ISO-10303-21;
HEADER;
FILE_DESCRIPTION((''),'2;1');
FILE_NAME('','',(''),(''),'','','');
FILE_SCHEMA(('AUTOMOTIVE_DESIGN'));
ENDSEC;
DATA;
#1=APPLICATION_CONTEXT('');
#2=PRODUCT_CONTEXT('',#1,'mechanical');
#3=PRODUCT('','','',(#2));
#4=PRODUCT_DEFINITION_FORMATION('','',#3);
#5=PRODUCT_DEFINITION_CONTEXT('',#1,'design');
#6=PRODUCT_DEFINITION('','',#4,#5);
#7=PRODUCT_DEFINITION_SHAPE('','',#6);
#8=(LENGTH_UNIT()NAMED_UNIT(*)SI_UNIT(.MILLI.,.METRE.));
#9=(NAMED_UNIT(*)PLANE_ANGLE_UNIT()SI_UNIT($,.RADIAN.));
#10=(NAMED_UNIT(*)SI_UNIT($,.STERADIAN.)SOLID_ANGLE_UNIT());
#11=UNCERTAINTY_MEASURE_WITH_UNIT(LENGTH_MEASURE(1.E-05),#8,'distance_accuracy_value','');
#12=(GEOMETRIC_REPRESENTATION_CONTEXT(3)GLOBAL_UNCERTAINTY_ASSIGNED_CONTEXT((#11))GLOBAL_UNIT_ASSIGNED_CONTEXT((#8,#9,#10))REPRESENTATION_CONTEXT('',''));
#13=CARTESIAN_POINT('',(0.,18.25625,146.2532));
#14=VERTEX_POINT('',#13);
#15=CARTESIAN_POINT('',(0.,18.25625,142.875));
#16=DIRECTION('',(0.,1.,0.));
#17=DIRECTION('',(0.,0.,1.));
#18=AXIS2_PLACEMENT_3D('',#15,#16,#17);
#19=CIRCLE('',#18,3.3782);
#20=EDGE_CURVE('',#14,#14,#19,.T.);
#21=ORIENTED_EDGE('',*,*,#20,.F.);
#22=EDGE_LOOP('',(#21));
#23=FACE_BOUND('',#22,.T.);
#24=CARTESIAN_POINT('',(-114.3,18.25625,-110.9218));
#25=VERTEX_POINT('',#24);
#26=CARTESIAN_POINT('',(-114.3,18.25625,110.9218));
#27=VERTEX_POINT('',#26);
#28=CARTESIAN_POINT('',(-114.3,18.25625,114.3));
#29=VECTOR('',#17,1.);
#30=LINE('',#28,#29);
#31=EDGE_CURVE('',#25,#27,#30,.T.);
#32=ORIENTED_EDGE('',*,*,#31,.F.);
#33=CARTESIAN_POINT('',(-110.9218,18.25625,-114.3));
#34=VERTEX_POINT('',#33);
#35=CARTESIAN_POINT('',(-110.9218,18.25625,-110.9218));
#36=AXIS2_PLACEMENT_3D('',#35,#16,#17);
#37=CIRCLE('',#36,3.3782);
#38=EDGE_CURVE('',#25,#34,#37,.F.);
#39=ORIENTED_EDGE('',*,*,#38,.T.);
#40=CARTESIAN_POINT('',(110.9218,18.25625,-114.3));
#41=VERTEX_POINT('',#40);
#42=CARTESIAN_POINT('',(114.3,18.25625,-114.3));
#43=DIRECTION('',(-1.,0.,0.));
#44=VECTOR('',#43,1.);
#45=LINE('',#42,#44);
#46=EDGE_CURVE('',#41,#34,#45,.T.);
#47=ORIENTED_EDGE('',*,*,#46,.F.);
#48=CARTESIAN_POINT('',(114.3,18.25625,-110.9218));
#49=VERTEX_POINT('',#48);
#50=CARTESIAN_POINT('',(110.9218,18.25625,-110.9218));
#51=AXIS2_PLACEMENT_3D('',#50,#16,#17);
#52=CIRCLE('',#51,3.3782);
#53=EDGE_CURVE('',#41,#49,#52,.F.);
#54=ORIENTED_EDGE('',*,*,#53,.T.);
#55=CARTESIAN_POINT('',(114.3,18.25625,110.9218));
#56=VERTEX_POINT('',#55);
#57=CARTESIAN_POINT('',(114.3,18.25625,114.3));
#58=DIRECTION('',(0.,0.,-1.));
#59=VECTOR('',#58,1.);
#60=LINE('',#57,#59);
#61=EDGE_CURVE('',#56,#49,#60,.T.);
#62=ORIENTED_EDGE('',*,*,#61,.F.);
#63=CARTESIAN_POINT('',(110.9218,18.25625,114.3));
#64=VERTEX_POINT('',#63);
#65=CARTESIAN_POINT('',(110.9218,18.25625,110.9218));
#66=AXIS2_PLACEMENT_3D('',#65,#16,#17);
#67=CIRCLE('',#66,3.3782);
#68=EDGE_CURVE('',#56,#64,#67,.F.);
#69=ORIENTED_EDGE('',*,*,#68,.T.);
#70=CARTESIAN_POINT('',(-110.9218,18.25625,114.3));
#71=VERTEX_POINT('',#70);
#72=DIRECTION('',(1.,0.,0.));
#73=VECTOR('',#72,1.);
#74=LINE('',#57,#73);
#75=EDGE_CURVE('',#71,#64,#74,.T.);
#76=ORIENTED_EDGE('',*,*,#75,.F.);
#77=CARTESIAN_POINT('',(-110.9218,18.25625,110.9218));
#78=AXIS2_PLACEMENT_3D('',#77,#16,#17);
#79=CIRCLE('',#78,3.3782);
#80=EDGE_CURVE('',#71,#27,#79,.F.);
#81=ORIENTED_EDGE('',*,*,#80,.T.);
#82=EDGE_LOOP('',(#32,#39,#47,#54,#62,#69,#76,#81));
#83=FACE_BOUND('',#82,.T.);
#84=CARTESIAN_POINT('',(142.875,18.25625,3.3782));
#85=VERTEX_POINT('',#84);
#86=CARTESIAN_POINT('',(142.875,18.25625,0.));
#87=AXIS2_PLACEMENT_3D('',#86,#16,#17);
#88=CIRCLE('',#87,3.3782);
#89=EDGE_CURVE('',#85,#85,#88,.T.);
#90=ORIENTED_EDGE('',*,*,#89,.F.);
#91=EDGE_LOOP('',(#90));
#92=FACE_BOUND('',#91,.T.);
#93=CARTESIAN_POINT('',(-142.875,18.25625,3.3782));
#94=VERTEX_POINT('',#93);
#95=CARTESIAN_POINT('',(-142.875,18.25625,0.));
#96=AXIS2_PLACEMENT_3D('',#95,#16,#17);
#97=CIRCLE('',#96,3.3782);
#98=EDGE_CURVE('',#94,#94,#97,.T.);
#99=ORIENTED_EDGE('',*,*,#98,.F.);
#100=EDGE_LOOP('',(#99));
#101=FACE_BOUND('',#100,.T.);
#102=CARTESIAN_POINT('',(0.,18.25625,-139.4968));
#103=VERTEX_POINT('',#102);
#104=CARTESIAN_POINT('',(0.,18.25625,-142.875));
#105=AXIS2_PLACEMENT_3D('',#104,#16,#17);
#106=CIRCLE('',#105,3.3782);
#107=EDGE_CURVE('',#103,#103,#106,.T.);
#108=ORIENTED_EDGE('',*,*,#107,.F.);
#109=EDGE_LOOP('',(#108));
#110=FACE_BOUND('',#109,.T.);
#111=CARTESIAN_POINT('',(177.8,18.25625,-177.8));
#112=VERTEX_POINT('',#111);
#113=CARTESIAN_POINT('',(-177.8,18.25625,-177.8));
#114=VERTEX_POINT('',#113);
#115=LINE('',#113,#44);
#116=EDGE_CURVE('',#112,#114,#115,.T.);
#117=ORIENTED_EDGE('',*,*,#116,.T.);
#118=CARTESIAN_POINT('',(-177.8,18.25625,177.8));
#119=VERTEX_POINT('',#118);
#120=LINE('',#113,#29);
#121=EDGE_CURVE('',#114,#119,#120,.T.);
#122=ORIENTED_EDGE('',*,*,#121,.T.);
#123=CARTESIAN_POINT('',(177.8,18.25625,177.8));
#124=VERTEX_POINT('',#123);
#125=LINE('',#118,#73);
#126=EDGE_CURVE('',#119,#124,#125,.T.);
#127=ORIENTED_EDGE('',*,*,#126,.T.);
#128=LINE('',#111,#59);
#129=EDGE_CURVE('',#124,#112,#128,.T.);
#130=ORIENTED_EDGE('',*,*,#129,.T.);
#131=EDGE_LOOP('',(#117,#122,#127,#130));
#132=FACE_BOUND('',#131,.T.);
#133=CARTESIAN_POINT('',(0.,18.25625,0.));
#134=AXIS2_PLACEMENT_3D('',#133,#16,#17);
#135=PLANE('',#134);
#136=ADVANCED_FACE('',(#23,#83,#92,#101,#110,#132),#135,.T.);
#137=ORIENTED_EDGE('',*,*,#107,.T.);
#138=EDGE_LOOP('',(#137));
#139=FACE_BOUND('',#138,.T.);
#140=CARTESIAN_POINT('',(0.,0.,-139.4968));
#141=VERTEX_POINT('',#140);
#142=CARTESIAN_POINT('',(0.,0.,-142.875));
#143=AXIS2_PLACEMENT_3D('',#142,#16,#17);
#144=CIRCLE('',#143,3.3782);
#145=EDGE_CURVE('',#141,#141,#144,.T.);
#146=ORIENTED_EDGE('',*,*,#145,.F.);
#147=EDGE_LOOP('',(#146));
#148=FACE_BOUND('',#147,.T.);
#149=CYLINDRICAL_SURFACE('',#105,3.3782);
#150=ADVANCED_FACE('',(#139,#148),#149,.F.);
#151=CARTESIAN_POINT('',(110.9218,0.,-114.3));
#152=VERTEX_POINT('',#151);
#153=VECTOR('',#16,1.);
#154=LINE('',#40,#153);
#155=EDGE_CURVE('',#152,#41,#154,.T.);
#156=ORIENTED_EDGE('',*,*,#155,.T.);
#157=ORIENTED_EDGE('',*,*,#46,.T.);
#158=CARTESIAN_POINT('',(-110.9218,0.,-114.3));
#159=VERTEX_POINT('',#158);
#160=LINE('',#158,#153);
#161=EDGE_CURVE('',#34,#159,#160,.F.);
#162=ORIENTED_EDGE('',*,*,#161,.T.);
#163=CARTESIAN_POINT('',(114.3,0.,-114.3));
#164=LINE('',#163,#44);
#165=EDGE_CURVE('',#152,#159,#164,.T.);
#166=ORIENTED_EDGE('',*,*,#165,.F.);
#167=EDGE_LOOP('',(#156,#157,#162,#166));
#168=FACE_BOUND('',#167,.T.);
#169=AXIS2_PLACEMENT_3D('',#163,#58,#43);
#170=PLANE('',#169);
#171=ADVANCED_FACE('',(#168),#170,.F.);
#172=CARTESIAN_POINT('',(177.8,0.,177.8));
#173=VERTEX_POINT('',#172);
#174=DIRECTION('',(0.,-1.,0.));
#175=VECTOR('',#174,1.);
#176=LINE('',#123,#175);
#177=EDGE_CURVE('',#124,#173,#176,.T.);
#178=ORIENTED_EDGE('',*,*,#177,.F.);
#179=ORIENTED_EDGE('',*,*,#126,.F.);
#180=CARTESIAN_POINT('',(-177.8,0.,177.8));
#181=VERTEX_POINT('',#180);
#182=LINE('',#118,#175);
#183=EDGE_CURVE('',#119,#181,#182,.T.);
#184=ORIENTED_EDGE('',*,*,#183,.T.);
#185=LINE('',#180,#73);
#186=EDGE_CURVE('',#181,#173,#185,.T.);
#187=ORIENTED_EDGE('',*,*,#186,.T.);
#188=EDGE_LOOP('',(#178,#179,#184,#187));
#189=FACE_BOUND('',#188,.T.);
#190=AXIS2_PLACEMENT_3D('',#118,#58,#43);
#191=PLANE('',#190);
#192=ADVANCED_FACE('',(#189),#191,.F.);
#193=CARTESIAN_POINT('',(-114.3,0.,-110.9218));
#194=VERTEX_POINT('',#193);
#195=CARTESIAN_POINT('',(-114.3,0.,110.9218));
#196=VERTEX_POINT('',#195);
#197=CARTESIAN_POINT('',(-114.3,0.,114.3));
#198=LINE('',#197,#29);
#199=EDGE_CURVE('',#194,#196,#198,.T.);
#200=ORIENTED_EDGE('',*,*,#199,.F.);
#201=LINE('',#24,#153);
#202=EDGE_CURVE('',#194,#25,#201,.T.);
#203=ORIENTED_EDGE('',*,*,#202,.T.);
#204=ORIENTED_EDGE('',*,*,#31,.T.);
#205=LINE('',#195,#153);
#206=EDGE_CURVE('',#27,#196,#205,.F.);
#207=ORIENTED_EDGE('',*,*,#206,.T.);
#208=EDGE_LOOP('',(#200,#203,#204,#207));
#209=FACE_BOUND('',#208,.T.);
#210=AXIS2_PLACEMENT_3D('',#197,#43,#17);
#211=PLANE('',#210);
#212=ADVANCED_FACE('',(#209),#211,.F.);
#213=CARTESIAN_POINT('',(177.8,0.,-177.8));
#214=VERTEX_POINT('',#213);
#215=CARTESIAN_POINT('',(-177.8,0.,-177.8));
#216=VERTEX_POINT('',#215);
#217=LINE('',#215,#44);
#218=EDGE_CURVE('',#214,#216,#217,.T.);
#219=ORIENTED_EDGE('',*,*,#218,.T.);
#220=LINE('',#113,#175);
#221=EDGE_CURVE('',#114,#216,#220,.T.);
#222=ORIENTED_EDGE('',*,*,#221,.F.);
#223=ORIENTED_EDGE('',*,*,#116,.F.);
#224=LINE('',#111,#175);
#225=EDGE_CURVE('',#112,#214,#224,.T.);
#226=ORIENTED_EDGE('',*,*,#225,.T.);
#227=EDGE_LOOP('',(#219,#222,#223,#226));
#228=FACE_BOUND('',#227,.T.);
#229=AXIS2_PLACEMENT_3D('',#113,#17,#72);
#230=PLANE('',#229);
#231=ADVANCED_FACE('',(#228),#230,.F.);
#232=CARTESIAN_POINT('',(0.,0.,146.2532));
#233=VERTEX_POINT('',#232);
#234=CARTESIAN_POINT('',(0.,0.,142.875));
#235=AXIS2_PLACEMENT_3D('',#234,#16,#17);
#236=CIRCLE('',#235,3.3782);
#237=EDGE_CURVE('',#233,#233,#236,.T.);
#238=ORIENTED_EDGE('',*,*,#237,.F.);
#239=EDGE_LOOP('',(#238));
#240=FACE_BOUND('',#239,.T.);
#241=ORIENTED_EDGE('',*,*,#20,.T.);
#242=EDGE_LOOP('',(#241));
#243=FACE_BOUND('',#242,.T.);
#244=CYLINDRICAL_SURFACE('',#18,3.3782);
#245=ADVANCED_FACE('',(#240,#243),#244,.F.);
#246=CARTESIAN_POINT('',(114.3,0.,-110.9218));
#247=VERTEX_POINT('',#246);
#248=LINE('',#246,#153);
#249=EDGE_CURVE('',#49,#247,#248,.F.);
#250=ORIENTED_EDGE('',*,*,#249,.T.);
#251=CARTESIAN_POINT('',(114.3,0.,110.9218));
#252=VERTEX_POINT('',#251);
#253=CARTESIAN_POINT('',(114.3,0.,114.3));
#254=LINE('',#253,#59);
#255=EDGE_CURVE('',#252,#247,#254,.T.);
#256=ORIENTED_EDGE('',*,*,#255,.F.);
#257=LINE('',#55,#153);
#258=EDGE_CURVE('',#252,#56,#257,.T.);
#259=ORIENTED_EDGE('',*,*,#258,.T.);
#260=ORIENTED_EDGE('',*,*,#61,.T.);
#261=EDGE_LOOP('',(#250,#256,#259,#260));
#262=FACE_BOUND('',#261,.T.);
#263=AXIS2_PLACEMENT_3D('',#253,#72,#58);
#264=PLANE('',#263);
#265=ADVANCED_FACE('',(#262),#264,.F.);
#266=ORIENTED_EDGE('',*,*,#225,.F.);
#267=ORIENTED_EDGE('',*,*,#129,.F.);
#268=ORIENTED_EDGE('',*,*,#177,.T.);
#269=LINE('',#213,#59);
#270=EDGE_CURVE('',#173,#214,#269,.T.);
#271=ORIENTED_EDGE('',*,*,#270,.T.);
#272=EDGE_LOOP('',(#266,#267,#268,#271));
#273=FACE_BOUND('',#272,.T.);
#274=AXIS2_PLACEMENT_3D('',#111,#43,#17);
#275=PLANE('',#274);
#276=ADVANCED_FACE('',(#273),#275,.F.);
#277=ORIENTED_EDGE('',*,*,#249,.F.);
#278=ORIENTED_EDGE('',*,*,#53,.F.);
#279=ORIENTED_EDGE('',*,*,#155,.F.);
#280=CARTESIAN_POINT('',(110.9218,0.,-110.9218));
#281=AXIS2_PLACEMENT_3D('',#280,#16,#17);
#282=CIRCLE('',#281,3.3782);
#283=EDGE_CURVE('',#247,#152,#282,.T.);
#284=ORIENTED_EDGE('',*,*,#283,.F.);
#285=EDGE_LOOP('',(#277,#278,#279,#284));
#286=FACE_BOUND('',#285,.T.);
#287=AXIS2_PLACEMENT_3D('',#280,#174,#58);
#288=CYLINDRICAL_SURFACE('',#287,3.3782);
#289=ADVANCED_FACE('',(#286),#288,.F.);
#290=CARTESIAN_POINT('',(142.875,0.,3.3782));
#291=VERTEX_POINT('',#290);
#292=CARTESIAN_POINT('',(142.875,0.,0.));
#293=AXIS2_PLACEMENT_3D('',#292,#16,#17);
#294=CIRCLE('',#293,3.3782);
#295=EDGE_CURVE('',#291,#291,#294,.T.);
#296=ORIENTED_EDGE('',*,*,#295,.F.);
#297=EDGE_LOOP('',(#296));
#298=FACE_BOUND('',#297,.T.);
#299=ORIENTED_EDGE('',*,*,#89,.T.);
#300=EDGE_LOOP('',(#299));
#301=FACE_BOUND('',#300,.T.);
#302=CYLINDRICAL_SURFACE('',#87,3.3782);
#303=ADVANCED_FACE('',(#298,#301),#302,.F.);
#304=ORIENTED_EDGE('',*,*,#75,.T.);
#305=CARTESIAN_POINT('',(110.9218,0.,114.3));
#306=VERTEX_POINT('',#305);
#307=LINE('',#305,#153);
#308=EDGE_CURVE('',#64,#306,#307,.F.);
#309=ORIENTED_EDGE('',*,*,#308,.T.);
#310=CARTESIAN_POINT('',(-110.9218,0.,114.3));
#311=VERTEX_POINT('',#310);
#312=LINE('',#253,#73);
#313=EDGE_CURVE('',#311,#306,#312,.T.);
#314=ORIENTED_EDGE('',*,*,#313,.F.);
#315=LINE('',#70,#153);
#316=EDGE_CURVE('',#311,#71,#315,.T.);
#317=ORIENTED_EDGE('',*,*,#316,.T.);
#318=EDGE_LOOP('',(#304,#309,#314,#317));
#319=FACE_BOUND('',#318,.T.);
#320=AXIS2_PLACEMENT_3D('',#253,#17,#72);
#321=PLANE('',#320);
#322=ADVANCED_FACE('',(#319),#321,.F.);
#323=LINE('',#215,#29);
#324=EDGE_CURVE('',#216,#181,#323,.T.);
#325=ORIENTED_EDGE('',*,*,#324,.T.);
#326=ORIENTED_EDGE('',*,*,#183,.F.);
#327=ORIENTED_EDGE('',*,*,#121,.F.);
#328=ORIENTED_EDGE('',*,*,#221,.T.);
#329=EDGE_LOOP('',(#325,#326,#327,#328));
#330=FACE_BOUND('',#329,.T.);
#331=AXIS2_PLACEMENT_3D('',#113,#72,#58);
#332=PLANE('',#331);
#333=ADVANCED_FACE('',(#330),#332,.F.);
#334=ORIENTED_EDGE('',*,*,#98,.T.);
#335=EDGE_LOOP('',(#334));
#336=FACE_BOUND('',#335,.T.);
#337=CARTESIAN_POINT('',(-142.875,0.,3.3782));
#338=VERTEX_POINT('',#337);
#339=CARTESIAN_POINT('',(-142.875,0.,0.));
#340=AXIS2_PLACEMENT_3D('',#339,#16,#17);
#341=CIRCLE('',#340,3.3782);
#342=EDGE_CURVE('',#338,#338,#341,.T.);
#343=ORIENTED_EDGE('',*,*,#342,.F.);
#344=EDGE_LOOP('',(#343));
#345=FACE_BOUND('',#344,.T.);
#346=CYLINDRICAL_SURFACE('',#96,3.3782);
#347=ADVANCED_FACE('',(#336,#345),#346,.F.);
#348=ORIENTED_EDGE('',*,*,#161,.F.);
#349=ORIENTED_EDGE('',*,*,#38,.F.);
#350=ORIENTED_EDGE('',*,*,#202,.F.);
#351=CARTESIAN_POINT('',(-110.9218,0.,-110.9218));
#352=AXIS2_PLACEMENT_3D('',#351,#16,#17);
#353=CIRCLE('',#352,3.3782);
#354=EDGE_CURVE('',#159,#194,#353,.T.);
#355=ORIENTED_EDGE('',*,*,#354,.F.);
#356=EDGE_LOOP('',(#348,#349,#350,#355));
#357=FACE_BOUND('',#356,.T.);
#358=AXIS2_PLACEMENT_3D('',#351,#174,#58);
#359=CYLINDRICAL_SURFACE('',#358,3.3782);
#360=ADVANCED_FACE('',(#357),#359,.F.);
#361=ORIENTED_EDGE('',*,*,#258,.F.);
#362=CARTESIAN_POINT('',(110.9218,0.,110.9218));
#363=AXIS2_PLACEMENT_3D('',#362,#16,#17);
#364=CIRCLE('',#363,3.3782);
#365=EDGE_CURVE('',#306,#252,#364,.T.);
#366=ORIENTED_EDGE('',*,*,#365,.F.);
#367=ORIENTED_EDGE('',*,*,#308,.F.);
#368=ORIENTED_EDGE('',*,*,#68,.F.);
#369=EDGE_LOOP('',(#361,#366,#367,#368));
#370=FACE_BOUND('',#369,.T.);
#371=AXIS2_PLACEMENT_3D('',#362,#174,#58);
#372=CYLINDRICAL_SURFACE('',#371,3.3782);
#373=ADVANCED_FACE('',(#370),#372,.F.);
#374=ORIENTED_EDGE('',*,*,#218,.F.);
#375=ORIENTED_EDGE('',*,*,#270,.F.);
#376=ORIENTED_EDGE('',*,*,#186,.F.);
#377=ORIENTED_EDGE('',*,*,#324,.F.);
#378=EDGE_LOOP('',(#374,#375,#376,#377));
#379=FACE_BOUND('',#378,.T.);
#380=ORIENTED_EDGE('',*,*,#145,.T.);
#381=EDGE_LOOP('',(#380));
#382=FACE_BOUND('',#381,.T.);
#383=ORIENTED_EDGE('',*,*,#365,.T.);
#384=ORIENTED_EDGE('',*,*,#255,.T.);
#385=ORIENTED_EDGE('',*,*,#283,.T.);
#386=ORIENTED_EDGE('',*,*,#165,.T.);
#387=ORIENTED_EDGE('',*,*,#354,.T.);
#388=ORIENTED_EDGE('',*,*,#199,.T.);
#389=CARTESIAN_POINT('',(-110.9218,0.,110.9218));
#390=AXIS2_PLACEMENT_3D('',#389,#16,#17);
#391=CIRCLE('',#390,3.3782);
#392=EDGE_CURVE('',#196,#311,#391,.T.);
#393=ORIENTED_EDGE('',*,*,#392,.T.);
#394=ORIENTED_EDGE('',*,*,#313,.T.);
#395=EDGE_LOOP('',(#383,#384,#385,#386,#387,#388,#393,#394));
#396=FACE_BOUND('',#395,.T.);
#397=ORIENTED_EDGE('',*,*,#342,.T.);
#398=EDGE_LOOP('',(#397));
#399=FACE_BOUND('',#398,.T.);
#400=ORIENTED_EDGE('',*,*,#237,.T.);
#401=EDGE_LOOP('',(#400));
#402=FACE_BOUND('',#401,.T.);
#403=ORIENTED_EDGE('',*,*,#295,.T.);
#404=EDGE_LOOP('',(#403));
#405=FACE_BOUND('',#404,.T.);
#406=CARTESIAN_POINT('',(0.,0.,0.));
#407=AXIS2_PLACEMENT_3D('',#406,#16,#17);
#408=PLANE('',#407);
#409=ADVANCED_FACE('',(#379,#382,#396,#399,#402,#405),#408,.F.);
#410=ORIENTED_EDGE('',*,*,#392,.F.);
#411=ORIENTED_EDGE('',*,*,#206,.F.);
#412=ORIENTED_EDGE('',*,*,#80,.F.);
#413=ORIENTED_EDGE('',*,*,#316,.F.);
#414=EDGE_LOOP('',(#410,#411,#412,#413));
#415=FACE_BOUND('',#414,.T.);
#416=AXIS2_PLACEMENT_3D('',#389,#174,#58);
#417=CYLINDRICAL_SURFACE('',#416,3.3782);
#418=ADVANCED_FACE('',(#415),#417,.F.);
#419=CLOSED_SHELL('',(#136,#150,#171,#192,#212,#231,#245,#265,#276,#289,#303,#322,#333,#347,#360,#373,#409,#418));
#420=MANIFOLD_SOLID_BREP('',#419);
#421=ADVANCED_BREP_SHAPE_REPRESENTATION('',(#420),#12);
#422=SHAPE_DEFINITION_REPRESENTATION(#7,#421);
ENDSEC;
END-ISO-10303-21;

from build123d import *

# Parameters (mm, degrees)
SKETCH1_W               = 355.6
SKETCH1_H               = 355.6
BOSS_EXTRUDE1_DEPTH     = 18.25625
F_1_4_CLEARANCE_HOLE1_D = 6.7564
SKETCH8_W               = 228.6
SKETCH8_H               = 228.6
CUT_EXTRUDE3_DEPTH      = 253.109045185
FILLET2_R               = 3.3782


with BuildPart() as part:
    # Sketch1 → Boss-Extrude1 (new body)
    with BuildSketch(Plane(origin=(0, 0, 0), x_dir=(1, 0, 0), z_dir=(0, 1, 0))):
        Rectangle(SKETCH1_W, SKETCH1_H)
    extrude(amount=BOSS_EXTRUDE1_DEPTH)

    # 1/4 Clearance Hole1 (through all)
    with Locations(Plane(origin=(0, 18.25625, 0), x_dir=(1, 0, 0), z_dir=(0, 1, 0))):
        with Locations((0, 142.875), (-142.875, 0), (0, -142.875), (142.875, 0)):
            Hole(F_1_4_CLEARANCE_HOLE1_D / 2)

    # Sketch8 → Cut-Extrude3 (cut, through all)
    with BuildSketch(Plane(origin=(0, 18.25625, 0), x_dir=(1, 0, 0), z_dir=(0, 1, 0))):
        Rectangle(SKETCH8_W, SKETCH8_H)
    extrude(amount=-CUT_EXTRUDE3_DEPTH, mode=Mode.SUBTRACT)

    # Fillet2
    fillet2_edges = [part.edges().sort_by_distance(p)[0] for p in [
        (-114.3, 9.128125, 114.3),
        (-114.3, 9.128125, -114.3),
        (114.3, 9.128125, -114.3),
        (114.3, 9.128125, 114.3),
    ]]
    fillet(fillet2_edges, radius=FILLET2_R)


solid = part.part
